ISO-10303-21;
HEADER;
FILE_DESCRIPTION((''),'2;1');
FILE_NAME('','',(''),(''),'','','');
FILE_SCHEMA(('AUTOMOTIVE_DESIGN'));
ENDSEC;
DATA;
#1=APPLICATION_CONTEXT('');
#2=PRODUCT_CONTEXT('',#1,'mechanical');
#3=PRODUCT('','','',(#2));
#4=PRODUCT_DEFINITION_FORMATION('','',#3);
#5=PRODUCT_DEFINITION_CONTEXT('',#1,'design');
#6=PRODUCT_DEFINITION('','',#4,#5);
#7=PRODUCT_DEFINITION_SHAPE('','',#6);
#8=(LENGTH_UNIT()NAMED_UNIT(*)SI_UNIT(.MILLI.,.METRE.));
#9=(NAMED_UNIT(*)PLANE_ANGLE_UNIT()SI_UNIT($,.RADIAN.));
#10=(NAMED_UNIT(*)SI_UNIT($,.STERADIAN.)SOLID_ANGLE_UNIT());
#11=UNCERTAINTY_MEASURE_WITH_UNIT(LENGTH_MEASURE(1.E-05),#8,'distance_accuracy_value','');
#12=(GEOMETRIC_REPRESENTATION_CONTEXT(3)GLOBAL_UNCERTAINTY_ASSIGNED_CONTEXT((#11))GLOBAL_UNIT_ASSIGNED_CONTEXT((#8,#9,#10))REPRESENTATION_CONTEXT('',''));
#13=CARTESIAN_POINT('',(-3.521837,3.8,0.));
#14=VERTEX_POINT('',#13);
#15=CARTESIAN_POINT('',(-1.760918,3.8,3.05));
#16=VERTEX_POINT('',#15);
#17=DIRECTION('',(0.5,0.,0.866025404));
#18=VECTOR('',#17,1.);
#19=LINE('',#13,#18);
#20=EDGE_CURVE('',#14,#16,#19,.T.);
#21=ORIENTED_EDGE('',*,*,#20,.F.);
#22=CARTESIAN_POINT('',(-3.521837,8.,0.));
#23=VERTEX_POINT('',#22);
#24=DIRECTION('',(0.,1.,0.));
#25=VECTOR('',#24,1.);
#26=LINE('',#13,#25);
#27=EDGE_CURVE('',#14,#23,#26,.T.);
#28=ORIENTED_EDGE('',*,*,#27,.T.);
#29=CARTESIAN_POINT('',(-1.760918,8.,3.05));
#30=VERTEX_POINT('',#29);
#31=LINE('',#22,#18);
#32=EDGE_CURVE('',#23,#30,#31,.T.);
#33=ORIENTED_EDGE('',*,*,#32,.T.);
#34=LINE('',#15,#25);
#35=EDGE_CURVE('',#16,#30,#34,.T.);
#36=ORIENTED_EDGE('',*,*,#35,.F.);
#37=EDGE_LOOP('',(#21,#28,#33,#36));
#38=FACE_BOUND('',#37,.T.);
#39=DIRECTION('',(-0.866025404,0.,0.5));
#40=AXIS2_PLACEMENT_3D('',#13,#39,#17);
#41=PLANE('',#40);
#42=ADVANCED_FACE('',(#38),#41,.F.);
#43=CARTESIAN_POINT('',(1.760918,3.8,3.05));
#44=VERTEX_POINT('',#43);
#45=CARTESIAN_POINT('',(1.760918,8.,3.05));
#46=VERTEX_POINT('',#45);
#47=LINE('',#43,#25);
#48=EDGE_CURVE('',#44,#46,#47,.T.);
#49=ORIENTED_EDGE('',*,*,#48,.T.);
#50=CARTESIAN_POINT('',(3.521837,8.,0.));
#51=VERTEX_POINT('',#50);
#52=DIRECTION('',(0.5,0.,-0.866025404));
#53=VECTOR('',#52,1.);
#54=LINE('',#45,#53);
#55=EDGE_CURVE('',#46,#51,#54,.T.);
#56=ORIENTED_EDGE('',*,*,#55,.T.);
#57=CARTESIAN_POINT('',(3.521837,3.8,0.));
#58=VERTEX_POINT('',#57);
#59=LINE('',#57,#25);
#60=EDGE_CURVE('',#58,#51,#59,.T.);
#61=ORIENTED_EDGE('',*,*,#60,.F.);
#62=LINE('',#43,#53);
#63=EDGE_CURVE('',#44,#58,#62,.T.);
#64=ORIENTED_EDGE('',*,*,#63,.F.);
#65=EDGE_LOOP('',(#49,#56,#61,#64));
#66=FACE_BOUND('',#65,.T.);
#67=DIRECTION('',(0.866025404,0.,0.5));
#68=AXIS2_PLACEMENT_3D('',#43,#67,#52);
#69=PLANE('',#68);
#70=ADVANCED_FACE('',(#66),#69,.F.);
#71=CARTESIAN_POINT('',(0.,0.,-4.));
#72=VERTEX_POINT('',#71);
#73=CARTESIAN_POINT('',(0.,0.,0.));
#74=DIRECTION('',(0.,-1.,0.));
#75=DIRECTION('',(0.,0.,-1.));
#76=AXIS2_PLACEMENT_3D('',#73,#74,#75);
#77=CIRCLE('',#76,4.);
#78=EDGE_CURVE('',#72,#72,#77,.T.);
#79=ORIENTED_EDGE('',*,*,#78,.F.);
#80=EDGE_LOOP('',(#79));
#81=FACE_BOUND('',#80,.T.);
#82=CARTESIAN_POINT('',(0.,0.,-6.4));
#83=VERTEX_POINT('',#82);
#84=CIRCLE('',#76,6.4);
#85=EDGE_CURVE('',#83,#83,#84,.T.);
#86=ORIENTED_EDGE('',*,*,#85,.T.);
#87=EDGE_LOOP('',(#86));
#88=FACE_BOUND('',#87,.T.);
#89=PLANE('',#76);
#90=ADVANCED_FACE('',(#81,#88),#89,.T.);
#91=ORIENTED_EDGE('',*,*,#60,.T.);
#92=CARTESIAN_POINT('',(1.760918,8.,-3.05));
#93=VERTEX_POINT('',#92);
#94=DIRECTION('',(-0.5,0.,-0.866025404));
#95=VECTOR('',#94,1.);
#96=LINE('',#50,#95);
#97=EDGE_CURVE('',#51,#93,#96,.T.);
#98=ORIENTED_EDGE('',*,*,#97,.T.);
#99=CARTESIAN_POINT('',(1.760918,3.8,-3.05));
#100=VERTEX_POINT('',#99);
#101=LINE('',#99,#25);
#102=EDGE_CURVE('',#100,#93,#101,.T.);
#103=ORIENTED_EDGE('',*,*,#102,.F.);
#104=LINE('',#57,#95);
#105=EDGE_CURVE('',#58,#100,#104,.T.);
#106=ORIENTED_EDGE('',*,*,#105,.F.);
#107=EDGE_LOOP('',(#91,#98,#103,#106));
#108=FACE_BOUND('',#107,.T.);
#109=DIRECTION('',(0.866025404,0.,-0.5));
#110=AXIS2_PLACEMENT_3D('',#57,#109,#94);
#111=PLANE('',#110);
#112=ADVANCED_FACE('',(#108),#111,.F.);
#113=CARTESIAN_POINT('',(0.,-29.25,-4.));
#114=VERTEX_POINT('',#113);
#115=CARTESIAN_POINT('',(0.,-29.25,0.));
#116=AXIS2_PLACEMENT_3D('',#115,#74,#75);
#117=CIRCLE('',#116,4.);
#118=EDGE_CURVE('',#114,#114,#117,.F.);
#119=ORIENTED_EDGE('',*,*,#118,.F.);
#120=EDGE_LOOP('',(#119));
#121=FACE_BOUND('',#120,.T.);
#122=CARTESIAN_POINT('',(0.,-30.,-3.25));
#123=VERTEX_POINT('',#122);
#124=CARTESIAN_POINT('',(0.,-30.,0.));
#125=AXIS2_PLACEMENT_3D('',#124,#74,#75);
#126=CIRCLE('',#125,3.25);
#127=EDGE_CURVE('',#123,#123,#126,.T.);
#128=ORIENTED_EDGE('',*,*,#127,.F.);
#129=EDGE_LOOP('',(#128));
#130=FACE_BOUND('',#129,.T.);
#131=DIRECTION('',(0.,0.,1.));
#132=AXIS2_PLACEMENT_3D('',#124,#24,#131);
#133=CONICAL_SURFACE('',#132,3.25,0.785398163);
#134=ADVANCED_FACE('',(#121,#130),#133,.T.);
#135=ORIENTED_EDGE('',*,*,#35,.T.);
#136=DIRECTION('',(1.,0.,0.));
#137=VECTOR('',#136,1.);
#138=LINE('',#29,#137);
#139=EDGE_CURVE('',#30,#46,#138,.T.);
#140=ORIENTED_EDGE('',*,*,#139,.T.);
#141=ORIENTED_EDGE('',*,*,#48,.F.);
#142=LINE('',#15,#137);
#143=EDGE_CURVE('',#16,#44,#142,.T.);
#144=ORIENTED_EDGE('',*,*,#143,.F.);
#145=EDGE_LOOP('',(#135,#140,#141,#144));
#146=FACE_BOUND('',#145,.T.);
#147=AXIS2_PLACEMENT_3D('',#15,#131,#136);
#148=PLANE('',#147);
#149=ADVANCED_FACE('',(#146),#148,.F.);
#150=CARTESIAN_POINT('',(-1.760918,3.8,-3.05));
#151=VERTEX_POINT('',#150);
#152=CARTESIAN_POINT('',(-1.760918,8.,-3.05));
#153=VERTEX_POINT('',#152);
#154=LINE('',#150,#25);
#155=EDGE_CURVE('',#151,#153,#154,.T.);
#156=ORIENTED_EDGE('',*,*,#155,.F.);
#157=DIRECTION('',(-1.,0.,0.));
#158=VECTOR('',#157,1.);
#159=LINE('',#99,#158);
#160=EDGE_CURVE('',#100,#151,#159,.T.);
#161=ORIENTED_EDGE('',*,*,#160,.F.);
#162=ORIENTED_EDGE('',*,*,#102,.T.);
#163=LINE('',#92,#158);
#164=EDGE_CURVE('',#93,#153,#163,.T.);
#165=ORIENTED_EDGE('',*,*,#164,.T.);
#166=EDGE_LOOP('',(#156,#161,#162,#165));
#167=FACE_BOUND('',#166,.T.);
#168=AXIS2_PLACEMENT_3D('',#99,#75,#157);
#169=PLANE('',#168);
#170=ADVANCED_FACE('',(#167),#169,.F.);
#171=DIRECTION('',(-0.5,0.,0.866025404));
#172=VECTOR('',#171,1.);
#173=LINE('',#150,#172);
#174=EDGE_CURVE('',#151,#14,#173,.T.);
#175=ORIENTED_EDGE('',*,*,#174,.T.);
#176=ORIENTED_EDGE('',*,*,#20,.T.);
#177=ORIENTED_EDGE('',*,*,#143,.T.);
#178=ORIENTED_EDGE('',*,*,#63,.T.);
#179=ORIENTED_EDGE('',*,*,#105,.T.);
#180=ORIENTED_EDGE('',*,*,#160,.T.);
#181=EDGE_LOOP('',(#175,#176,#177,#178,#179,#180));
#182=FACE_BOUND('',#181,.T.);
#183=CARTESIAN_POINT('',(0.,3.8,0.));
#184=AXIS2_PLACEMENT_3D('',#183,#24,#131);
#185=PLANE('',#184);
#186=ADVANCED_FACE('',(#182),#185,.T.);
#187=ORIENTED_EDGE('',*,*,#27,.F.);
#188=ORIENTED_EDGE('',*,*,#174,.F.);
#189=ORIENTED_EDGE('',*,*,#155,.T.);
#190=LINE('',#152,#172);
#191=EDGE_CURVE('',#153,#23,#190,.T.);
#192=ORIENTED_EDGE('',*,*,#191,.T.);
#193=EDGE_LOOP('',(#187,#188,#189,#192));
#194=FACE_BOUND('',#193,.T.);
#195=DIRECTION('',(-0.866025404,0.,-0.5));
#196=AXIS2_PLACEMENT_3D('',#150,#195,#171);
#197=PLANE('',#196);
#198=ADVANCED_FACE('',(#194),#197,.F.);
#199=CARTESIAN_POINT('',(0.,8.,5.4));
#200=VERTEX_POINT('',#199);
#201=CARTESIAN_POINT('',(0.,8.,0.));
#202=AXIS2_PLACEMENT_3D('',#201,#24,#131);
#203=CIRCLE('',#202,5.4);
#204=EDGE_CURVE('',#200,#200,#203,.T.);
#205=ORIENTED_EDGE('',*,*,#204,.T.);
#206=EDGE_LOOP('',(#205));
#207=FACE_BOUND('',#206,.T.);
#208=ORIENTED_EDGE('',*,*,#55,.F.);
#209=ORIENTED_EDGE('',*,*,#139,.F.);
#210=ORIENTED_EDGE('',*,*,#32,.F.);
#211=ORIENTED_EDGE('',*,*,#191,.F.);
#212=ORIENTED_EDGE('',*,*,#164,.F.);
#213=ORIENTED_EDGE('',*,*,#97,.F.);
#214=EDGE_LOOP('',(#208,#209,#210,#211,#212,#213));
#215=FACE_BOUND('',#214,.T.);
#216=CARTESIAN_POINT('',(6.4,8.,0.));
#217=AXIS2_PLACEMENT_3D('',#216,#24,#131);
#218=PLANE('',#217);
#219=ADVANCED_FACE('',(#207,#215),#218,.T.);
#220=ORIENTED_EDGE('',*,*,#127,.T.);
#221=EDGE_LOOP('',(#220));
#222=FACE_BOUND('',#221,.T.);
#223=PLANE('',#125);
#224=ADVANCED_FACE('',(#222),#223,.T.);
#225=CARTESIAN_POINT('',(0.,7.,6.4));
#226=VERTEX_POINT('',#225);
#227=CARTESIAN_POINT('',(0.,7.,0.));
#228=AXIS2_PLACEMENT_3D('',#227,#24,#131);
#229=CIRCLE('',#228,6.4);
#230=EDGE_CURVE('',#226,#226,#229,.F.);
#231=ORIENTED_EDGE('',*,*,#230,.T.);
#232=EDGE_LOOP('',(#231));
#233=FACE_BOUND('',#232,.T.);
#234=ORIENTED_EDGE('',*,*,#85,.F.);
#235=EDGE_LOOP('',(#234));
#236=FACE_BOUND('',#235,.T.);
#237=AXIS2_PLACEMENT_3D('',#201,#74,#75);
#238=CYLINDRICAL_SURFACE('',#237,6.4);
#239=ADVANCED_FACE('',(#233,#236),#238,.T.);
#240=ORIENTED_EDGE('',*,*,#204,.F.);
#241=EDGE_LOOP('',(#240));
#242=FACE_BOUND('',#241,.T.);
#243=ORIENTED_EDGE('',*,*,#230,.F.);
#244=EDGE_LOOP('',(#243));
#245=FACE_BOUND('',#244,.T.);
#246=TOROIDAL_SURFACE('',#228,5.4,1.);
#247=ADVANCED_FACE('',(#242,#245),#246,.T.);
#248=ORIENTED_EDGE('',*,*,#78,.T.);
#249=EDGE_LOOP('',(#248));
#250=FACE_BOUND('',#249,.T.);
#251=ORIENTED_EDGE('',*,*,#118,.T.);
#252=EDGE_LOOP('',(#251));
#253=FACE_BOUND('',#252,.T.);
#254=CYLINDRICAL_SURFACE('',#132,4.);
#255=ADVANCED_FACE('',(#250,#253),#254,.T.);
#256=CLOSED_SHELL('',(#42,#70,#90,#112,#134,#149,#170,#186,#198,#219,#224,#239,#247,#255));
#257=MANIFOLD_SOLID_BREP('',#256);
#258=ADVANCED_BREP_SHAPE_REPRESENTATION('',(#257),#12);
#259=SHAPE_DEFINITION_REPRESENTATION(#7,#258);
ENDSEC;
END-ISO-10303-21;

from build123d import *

# Parameters (mm, degrees)
ESQUISSE1_W             = 6.4
ESQUISSE1_H             = 8
ESQUISSE2_R             = 4
BOSS_EXTRU_1_DEPTH      = 30
ENL_V_MAT_EXTRU_1_DEPTH = 4.2
CHANFREIN1_SIZE         = 0.75
CONG_1_R                = 1


with BuildPart() as part:
    # Esquisse1 → Révolution1 (revolve)
    with BuildSketch(Plane.XY, mode=Mode.PRIVATE) as r_volution1_sk:
        with Locations((3.2, 4)):
            Rectangle(ESQUISSE1_W, ESQUISSE1_H)
    revolve(r_volution1_sk.sketch.rotate(Axis((0, 8, 0), (0, -1, 0)), 270), axis=Axis((0, 8, 0), (0, -1, 0)))

    # Esquisse2 → Boss.-Extru.1 (add)
    with BuildSketch(Plane.XZ):
        with Locations(Location((0, 0, 0), (0, 0, 270))):
            Circle(ESQUISSE2_R)
    extrude(amount=BOSS_EXTRU_1_DEPTH)

    # Esquisse3 → Enlèv. mat.-Extru.1 (cut)
    with BuildSketch(Plane(origin=(0, 8, 0), x_dir=(-1, 0, 0), z_dir=(0, 1, 0))):
        Polygon((1.760918321, 3.05), (-1.760918321, 3.05), (-3.521836642, 0), (-1.760918321, -3.05), (1.760918321, -3.05), (3.521836642, 0), align=None)
    extrude(amount=-ENL_V_MAT_EXTRU_1_DEPTH, mode=Mode.SUBTRACT)

    # Chanfrein1
    chanfrein1_edges = [part.edges().sort_by_distance(p)[0] for p in [
        (0, -30, 4),
    ]]
    chamfer(chanfrein1_edges, length=CHANFREIN1_SIZE)

    # Congé1
    cong_1_edges = [part.edges().sort_by_distance(p)[0] for p in [
        (0, 8, 6.4),
    ]]
    fillet(cong_1_edges, radius=CONG_1_R)


solid = part.part
